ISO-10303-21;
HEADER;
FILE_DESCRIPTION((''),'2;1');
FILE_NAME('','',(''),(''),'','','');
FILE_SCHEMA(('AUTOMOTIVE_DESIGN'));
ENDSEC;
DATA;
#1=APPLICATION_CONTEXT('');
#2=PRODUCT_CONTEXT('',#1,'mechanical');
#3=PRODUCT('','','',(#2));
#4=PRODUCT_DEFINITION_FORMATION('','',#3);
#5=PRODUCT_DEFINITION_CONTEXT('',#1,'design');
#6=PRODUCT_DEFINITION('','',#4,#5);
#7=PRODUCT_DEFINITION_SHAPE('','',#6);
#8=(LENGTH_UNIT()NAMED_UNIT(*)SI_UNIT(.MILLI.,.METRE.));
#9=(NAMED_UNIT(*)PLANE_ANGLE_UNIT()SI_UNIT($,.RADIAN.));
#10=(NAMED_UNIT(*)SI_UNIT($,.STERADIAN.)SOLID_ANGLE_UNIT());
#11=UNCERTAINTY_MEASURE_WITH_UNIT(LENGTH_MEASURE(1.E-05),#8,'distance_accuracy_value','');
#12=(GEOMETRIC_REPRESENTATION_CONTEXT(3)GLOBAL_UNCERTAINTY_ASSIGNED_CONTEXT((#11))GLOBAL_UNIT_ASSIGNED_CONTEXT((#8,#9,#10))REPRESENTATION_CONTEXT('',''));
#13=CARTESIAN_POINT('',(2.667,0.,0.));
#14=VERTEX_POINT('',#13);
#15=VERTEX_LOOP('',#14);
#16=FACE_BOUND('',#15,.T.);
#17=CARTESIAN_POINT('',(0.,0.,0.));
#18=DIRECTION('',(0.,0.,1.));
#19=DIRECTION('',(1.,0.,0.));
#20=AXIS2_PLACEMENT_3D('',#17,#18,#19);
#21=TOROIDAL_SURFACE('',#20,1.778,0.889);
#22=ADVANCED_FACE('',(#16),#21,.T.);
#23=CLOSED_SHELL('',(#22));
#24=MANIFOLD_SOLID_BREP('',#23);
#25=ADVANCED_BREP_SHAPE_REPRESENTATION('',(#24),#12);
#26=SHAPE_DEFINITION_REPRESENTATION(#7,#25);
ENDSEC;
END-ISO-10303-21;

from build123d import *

# Parameters (mm, degrees)
SKETCH1_R = 0.889


with BuildPart() as part:
    # Sketch1 → Revolve1 (revolve)
    with BuildSketch(Plane(origin=(0, 0, 0), x_dir=(0, -1, 0), z_dir=(1, 0, 0))):
        with Locations((1.778, 0)):
            Circle(SKETCH1_R)
    revolve(axis=Axis((0, 0, 0.889), (0, 0, -1)))


solid = part.part
